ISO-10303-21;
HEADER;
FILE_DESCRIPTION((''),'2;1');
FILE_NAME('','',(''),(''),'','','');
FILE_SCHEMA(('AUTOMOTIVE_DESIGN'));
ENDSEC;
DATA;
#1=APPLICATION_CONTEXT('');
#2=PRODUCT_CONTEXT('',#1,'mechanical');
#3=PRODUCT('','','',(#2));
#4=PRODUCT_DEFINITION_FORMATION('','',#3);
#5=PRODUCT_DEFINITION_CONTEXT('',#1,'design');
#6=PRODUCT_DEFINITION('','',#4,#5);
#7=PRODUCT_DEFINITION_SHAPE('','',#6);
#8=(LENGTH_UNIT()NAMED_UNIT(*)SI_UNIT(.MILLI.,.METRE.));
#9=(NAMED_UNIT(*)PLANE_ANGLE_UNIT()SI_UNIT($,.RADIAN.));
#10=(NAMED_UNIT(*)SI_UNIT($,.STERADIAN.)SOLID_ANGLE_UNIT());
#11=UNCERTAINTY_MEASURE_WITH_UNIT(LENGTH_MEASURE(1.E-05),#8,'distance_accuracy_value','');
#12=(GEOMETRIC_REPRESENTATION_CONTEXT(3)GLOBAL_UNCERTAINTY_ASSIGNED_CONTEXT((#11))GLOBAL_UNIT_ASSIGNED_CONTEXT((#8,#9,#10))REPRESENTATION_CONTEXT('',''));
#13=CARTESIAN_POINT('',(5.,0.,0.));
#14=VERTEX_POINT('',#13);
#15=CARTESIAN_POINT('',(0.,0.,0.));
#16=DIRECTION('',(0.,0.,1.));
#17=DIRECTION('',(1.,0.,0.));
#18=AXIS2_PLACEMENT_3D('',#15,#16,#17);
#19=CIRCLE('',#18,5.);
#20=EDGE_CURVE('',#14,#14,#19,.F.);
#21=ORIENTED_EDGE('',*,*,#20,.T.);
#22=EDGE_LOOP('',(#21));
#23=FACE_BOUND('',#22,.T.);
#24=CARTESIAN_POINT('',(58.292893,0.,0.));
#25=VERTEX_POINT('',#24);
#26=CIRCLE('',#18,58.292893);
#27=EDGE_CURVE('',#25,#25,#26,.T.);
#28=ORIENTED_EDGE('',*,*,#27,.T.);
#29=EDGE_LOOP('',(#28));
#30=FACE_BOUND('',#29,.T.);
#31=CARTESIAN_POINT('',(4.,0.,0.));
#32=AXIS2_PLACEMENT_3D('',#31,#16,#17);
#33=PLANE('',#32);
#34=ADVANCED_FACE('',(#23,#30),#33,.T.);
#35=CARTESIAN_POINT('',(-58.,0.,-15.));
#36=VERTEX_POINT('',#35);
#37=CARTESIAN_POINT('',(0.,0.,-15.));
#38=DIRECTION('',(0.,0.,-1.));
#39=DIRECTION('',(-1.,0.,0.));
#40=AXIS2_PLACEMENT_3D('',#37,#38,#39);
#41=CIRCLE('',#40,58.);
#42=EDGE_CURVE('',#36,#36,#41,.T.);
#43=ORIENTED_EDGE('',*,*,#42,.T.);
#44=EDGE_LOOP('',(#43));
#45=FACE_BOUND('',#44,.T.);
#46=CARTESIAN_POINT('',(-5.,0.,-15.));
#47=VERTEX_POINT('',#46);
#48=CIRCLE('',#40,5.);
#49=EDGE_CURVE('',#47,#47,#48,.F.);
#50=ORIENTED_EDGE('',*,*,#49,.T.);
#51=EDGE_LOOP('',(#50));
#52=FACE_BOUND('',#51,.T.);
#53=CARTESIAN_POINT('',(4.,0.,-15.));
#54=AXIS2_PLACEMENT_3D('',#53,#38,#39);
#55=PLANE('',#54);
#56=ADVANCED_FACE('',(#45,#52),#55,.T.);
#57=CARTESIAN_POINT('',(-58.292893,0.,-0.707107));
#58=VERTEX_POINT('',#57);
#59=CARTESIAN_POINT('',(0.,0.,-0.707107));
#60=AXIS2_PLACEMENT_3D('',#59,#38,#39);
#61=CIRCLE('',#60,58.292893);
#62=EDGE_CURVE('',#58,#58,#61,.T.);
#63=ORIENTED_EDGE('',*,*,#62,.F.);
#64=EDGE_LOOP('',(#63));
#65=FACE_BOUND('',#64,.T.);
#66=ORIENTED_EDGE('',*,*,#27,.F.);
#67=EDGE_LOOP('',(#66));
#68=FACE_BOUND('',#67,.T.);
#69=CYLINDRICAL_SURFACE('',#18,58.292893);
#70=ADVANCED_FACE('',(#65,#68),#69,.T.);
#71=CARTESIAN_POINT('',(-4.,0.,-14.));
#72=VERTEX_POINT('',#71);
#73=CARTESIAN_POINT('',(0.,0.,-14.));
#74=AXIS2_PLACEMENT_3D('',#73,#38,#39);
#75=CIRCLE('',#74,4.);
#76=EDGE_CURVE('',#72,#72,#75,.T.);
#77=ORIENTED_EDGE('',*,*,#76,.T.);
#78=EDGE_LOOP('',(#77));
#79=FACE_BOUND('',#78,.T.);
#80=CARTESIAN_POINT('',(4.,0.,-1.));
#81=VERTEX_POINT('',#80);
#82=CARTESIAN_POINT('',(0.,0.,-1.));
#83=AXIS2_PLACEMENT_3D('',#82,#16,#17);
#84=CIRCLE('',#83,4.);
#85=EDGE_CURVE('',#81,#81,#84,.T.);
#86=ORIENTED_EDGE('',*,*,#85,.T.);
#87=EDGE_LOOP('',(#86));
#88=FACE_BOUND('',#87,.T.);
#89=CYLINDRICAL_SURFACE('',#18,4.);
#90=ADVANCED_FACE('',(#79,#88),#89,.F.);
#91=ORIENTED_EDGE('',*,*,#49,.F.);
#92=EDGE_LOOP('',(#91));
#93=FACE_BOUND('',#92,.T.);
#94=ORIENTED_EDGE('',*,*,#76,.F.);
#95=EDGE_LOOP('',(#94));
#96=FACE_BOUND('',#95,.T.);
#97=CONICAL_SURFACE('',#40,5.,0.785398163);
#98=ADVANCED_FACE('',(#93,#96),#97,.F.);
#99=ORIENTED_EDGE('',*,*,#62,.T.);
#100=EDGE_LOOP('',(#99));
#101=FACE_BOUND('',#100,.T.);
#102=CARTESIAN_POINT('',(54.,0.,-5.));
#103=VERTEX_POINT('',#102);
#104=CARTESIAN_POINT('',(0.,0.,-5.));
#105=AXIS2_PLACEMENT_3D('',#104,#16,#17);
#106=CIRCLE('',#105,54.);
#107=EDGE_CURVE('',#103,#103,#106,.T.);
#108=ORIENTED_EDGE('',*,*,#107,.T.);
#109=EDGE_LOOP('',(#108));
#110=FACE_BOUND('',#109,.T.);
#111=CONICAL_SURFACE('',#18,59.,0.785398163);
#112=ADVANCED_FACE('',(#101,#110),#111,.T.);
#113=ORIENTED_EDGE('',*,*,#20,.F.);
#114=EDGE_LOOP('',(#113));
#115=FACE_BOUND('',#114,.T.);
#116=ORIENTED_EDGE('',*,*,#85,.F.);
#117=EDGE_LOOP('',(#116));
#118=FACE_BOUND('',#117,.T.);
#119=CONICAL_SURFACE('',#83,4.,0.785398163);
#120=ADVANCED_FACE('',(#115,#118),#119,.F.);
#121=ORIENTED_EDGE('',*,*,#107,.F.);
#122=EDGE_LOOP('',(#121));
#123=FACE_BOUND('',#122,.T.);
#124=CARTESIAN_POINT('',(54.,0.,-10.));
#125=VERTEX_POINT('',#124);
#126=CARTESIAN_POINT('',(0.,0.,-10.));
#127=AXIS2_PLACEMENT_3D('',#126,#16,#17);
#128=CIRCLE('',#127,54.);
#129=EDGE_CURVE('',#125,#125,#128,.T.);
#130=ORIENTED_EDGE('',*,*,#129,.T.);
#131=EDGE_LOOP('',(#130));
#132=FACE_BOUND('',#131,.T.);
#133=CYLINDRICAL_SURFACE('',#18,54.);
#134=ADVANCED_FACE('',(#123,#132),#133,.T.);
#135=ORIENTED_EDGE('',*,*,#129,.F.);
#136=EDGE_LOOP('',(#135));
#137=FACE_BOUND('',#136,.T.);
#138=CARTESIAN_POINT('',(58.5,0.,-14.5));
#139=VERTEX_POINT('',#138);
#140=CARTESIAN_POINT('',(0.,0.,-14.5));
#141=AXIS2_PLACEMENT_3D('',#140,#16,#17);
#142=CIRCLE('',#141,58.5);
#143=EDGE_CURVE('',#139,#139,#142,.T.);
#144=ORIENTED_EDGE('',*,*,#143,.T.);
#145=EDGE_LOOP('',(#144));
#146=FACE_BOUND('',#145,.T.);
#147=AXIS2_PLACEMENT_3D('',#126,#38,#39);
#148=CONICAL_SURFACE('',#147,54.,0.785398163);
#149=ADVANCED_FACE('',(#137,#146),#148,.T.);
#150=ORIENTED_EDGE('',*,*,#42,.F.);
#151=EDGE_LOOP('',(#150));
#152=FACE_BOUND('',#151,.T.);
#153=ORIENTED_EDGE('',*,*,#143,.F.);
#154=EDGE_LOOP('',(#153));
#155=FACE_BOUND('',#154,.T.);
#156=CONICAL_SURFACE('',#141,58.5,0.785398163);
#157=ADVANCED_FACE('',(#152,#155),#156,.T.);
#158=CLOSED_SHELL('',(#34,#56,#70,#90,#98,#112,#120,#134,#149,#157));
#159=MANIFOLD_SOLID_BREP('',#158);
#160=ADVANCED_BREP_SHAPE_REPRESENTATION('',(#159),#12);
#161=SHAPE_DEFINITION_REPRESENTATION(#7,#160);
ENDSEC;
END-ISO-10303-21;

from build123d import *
from OCP.BRepFilletAPI import BRepFilletAPI_MakeChamfer

# Parameters (mm, degrees)
CHAMFER1_SIZE  = 1
CHAMFER1_SIZE2 = 0.707106781


with BuildPart() as part:
    # Sketch1 → Revolve1 (revolve)
    with BuildSketch(Plane(origin=(0, 0, 0), x_dir=(1, 0, 0), z_dir=(0, 1, 0))):
        Polygon((59, 0), (54, 5), (54, 10), (59, 15), (4, 15), (4, 0), align=None)
    revolve(axis=Axis((0, 0, 0), (0, 0, -1)))

    # Chamfer1: one chamfer whose edges measure the first distance from different faces: ONE call of the kernel's chamfer builder (chamfer() names one face for all edges)
    chamfer1_edges_1 = [part.edges().sort_by_distance(p)[0] for p in [
        (-4, 0, 0),
        (-4, 0, -15),
    ]]
    chamfer1_edges_2 = [part.edges().sort_by_distance(p)[0] for p in [
        (-59, 0, 0),
    ]]
    chamfer1_side_2 = [part.faces().sort_by_distance(p)[0] for p in [
        (-56.5, 0, -2.5),
    ]]
    chamfer1_edges_3 = [part.edges().sort_by_distance(p)[0] for p in [
        (-59, 0, -15),
    ]]
    chamfer1_side_3 = [part.faces().sort_by_distance(p)[0] for p in [
        (-57.331227996, 0, -15),
    ]]
    chamfer1 = BRepFilletAPI_MakeChamfer(part.part.solid().wrapped)
    for e in chamfer1_edges_1:
        chamfer1.Add(CHAMFER1_SIZE, e.wrapped)
    for e in chamfer1_edges_2:
        chamfer1.Add(CHAMFER1_SIZE, CHAMFER1_SIZE2, e.wrapped, chamfer1_side_2[0].wrapped)  # the first distance lies on this face
    for e in chamfer1_edges_3:
        chamfer1.Add(CHAMFER1_SIZE, CHAMFER1_SIZE2, e.wrapped, chamfer1_side_3[0].wrapped)  # the first distance lies on this face
    add(Compound.cast(chamfer1.Shape()), mode=Mode.REPLACE)


solid = part.part
